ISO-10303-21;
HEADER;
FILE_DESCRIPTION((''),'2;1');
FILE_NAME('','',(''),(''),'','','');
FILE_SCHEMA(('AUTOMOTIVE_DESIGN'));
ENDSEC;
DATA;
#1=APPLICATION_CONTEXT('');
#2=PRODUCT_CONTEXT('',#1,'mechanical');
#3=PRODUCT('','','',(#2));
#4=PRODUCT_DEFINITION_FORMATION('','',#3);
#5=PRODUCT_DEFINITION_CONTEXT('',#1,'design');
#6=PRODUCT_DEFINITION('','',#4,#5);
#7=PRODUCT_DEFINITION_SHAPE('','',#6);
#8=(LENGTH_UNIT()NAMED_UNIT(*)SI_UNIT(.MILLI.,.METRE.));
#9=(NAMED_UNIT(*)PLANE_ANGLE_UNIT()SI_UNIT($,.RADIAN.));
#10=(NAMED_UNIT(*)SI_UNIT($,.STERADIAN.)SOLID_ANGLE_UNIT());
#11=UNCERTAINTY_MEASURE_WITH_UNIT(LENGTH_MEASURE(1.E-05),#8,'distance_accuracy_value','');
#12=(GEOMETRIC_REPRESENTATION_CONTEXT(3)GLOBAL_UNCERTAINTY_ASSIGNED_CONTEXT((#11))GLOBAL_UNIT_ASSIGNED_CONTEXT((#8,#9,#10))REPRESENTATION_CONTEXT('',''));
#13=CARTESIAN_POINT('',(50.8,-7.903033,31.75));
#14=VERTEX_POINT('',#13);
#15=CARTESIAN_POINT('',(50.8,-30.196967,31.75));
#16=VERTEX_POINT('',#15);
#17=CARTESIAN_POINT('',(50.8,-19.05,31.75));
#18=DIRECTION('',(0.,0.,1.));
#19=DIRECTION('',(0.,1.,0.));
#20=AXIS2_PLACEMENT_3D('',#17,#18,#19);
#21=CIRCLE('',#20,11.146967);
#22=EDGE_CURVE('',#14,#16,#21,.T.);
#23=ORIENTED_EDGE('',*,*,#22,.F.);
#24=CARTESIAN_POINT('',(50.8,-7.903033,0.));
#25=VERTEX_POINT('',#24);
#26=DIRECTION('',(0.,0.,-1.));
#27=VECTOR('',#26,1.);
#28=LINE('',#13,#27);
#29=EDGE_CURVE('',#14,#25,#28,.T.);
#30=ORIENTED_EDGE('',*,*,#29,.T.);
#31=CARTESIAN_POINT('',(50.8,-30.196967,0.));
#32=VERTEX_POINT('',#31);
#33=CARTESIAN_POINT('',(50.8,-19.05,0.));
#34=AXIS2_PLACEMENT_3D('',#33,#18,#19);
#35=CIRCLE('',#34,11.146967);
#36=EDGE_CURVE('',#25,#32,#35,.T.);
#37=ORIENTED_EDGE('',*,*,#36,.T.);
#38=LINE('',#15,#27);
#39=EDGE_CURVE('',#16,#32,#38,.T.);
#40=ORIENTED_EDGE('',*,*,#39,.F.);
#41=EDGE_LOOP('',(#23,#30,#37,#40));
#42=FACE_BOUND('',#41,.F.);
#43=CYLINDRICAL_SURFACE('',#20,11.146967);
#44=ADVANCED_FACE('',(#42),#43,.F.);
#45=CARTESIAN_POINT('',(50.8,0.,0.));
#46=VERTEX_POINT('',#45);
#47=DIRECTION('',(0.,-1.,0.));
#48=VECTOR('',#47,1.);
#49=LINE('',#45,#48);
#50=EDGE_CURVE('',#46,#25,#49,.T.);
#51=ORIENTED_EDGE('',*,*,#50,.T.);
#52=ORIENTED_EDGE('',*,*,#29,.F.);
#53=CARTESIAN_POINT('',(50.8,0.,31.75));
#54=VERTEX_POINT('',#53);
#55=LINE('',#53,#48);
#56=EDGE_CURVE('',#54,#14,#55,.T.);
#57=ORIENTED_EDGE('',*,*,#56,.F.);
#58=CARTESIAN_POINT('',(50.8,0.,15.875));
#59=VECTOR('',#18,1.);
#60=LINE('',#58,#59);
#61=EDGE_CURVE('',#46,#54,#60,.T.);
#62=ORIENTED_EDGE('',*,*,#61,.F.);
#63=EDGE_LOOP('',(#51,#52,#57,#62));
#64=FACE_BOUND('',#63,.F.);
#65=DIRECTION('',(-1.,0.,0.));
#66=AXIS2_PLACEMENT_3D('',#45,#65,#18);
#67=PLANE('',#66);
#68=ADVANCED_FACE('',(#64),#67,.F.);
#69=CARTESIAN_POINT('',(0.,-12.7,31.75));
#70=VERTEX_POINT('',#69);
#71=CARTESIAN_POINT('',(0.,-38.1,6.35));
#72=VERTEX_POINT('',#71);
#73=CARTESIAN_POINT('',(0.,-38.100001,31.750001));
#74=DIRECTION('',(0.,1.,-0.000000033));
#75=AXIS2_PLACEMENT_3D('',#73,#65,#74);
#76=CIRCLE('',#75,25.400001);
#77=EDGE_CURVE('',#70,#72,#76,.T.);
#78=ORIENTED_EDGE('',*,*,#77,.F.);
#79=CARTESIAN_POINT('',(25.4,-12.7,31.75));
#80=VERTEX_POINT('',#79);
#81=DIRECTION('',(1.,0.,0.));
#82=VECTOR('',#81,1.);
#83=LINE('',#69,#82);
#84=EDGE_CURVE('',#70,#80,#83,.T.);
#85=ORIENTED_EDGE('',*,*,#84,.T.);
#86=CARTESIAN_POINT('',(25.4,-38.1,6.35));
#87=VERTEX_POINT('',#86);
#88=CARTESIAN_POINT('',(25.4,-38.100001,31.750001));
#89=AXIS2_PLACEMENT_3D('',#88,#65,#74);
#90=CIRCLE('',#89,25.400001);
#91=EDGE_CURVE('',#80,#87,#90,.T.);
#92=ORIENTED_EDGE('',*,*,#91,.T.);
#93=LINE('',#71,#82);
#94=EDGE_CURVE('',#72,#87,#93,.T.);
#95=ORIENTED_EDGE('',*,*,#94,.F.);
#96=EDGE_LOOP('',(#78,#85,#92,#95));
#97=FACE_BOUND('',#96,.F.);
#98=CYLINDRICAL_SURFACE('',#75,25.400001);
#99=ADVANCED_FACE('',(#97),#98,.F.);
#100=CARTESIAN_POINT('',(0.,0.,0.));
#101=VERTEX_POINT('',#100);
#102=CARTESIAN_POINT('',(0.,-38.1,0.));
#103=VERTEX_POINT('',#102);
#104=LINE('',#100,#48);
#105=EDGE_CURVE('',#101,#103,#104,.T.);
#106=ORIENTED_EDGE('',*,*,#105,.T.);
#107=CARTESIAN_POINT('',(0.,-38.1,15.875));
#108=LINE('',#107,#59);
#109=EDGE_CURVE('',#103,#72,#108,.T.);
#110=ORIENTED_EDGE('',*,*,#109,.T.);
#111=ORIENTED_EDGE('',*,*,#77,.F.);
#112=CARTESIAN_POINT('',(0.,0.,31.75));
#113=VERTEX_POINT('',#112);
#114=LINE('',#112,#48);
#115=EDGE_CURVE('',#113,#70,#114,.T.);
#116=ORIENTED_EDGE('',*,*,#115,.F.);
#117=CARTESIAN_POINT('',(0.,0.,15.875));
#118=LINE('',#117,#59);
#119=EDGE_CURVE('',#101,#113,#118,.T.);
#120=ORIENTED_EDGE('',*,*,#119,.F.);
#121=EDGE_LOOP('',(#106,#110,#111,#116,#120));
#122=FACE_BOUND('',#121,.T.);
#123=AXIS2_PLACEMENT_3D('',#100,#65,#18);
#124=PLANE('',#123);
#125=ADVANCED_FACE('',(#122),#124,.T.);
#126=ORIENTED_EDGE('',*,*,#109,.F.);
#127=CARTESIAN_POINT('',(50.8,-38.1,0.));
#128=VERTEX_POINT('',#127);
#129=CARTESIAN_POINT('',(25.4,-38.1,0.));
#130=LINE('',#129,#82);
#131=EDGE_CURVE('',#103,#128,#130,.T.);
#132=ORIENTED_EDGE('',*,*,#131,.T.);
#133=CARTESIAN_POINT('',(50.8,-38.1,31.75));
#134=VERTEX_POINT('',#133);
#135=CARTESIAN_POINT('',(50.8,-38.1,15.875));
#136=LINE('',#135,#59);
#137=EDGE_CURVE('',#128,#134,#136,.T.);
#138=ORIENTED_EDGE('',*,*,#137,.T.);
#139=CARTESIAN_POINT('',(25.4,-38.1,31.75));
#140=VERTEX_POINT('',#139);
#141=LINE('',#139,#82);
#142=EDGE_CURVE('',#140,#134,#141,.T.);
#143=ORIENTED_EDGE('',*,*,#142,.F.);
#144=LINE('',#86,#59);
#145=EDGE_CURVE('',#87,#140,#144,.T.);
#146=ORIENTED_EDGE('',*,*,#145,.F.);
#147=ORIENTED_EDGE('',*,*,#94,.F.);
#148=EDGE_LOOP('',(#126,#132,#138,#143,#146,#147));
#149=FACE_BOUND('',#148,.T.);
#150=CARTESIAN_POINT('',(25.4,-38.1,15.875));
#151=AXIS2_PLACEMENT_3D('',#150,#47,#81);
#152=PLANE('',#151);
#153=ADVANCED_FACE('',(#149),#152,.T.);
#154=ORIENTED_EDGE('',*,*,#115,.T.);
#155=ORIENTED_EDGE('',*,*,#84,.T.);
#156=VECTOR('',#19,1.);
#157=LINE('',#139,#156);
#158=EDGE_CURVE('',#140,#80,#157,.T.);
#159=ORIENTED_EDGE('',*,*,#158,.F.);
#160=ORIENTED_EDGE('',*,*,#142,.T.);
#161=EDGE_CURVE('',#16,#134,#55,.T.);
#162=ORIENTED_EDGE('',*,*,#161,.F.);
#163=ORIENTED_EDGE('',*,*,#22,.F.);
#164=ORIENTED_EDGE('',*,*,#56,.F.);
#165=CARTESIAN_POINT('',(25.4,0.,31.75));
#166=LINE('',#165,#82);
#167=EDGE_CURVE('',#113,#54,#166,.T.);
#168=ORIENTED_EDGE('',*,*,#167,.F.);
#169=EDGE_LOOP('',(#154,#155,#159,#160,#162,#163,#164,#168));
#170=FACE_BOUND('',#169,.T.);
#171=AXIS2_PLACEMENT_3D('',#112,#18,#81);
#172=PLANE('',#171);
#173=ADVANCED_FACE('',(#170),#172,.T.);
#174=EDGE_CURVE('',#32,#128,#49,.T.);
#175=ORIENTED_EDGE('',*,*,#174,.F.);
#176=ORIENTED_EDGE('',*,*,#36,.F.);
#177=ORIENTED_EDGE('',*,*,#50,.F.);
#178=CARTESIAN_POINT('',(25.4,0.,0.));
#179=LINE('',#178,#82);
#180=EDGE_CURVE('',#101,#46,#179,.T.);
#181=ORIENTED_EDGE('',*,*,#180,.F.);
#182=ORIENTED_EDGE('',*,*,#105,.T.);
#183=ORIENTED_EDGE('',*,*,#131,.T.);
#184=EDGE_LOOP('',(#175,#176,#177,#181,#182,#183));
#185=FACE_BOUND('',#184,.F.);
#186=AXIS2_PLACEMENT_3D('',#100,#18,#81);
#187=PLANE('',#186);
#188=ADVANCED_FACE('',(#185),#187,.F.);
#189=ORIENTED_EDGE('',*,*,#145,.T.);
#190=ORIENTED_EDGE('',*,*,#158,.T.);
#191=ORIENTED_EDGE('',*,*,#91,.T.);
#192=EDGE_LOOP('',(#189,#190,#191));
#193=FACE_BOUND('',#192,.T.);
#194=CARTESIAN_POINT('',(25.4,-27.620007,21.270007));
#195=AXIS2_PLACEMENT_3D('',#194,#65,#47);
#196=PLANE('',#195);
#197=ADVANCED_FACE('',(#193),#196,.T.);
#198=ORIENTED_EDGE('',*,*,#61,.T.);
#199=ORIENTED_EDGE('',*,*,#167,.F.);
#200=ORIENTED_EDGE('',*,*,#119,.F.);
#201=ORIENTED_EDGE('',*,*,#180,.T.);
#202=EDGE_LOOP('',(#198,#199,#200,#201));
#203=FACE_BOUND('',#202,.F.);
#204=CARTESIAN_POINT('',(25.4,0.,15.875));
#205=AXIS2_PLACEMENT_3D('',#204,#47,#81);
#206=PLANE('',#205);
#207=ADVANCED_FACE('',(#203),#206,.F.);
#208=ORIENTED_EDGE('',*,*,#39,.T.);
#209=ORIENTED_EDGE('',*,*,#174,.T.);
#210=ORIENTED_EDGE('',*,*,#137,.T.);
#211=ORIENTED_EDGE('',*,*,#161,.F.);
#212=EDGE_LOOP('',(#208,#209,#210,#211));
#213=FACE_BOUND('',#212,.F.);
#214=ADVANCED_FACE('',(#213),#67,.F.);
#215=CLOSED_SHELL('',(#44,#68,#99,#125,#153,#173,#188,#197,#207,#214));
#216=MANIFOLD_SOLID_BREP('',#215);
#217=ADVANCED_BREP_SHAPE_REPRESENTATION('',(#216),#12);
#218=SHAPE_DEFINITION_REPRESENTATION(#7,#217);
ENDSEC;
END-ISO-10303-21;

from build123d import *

# Parameters (mm, degrees)
F0_W     = 50.8
F0_H     = 31.75
F1_DEPTH = 38.1
F3_DEPTH = 31.75
F5_DEPTH = 25.4


with BuildPart() as f1:
    # F0 (on Front) → F1 (new body)
    with BuildSketch(Plane.XZ):
        with Locations((25.4, 15.875)):
            Rectangle(F0_W, F0_H)
    extrude(amount=F1_DEPTH)

    # F2 (on face) → F3 (cut)
    with BuildSketch(Plane.XY.offset(31.75)):
        with BuildLine():
            Line((50.8, -30.196967), (50.8, -7.903033))
            ThreePointArc((50.8, -7.903033), (39.653033, -19.05), (50.8, -30.196967))
        make_face()
    extrude(amount=-F3_DEPTH, mode=Mode.SUBTRACT)

    # F4 (on face) → F5 (cut)
    with BuildSketch(Plane(origin=(0, 0, 0), x_dir=(0, -1, 0), z_dir=(-1, 0, 0))):
        with BuildLine():
            Line((38.1, 31.75), (12.7, 31.75))
            ThreePointArc((12.7, 31.75), (20.139488, 13.789488), (38.1, 6.35))
            Line((38.1, 6.35), (38.1, 31.75))
        make_face()
    extrude(amount=-F5_DEPTH, mode=Mode.SUBTRACT)


solid = f1.part
